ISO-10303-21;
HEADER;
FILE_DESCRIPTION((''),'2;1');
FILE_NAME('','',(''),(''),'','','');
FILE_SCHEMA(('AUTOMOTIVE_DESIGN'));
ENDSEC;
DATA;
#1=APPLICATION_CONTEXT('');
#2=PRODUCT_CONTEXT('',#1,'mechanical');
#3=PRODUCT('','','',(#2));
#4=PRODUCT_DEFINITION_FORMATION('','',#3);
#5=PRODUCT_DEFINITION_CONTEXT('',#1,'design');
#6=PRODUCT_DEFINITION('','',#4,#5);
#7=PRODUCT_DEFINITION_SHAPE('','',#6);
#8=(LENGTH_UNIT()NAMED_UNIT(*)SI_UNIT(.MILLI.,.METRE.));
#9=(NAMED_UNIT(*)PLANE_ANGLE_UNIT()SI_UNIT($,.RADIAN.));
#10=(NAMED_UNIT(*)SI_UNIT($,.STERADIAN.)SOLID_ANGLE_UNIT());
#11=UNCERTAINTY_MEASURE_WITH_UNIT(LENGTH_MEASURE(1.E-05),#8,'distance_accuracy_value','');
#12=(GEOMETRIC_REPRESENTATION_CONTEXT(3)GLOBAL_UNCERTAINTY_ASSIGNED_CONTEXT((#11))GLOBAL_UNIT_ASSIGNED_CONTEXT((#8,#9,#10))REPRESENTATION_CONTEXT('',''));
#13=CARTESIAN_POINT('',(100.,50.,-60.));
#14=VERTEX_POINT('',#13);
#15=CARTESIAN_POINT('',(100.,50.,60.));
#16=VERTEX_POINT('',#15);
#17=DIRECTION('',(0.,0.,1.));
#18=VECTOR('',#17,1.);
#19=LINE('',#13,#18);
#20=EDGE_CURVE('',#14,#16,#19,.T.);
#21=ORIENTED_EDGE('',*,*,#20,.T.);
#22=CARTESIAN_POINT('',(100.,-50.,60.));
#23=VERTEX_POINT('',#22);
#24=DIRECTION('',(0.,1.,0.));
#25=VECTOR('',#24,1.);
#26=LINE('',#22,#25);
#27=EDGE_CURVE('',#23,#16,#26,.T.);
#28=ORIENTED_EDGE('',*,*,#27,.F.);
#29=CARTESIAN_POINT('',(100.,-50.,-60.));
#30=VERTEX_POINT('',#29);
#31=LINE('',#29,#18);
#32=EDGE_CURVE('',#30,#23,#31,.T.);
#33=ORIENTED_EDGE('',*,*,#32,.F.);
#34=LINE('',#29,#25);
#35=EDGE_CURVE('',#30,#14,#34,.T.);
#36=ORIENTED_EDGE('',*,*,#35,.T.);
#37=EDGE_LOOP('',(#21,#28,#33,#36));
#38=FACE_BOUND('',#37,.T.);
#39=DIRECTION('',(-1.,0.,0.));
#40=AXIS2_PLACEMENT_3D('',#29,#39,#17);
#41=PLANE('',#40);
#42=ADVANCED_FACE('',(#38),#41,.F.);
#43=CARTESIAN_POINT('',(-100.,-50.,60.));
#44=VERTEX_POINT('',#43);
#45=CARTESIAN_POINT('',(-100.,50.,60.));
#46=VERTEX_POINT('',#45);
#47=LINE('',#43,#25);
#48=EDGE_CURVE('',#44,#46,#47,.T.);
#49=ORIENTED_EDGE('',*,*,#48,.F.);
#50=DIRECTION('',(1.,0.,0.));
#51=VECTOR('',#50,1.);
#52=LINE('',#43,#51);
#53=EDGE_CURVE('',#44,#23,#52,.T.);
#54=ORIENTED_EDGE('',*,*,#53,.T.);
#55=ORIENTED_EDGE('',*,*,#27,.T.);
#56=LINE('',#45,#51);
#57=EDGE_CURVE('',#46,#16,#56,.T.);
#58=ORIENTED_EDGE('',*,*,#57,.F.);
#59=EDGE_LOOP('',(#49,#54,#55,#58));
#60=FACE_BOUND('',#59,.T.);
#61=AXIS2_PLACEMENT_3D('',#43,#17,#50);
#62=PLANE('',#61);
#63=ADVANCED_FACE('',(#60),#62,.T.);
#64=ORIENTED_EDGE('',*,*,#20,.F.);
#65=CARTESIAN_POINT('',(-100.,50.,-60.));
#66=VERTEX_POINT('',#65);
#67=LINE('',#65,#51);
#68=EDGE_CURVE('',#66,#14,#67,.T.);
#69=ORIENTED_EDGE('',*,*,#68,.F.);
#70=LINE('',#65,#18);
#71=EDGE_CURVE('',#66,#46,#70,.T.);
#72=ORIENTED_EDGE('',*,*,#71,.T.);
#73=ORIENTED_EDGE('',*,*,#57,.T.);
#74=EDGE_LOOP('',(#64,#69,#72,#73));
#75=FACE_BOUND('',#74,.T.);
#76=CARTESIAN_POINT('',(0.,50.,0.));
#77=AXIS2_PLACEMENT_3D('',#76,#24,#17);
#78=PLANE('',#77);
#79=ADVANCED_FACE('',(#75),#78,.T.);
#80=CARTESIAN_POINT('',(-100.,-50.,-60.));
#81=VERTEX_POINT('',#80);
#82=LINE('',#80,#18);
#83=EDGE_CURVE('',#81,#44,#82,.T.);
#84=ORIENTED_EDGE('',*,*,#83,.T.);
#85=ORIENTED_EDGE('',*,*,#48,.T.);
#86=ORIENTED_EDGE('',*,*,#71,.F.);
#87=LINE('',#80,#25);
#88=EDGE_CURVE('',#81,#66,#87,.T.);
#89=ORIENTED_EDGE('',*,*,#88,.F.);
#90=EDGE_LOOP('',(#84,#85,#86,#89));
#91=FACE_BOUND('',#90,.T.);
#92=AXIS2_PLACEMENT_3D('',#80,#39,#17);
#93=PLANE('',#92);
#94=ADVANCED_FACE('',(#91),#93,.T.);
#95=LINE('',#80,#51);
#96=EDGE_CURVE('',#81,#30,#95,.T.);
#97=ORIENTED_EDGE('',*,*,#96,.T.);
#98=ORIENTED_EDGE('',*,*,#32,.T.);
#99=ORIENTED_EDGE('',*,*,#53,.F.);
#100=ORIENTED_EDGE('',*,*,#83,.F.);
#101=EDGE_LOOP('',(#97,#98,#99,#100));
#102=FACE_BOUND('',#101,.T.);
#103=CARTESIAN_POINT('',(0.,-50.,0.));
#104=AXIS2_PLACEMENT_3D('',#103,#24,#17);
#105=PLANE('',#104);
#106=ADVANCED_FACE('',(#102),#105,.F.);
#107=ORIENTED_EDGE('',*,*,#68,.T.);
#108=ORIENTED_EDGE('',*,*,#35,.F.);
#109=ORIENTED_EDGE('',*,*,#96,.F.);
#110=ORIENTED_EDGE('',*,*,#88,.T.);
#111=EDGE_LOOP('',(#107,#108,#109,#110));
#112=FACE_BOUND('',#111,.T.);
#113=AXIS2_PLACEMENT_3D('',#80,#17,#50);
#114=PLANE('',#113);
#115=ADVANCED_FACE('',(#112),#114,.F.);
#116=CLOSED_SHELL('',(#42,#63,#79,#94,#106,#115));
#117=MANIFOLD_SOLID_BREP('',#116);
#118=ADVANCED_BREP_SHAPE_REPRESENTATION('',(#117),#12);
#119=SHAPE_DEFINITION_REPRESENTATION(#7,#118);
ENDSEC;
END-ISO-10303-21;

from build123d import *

# Parameters (mm, degrees)
BOSS_EXTRUDE1_DEPTH      = 50
BOSS_EXTRUDE1_DEPTH_BACK = 50
SKETCH1_W                = 200
SKETCH1_H                = 120


with BuildPart() as part:
    # Sketch1 → Boss-Extrude1 (new, two sides: drawn at the far end of the back side and taken through both)
    with BuildSketch(Plane(origin=(0, 0, 0), x_dir=(1, 0, 0), z_dir=(0, 1, 0)).offset(-BOSS_EXTRUDE1_DEPTH_BACK)):
        Rectangle(SKETCH1_W, SKETCH1_H)
    extrude(amount=BOSS_EXTRUDE1_DEPTH + BOSS_EXTRUDE1_DEPTH_BACK)


solid = part.part
